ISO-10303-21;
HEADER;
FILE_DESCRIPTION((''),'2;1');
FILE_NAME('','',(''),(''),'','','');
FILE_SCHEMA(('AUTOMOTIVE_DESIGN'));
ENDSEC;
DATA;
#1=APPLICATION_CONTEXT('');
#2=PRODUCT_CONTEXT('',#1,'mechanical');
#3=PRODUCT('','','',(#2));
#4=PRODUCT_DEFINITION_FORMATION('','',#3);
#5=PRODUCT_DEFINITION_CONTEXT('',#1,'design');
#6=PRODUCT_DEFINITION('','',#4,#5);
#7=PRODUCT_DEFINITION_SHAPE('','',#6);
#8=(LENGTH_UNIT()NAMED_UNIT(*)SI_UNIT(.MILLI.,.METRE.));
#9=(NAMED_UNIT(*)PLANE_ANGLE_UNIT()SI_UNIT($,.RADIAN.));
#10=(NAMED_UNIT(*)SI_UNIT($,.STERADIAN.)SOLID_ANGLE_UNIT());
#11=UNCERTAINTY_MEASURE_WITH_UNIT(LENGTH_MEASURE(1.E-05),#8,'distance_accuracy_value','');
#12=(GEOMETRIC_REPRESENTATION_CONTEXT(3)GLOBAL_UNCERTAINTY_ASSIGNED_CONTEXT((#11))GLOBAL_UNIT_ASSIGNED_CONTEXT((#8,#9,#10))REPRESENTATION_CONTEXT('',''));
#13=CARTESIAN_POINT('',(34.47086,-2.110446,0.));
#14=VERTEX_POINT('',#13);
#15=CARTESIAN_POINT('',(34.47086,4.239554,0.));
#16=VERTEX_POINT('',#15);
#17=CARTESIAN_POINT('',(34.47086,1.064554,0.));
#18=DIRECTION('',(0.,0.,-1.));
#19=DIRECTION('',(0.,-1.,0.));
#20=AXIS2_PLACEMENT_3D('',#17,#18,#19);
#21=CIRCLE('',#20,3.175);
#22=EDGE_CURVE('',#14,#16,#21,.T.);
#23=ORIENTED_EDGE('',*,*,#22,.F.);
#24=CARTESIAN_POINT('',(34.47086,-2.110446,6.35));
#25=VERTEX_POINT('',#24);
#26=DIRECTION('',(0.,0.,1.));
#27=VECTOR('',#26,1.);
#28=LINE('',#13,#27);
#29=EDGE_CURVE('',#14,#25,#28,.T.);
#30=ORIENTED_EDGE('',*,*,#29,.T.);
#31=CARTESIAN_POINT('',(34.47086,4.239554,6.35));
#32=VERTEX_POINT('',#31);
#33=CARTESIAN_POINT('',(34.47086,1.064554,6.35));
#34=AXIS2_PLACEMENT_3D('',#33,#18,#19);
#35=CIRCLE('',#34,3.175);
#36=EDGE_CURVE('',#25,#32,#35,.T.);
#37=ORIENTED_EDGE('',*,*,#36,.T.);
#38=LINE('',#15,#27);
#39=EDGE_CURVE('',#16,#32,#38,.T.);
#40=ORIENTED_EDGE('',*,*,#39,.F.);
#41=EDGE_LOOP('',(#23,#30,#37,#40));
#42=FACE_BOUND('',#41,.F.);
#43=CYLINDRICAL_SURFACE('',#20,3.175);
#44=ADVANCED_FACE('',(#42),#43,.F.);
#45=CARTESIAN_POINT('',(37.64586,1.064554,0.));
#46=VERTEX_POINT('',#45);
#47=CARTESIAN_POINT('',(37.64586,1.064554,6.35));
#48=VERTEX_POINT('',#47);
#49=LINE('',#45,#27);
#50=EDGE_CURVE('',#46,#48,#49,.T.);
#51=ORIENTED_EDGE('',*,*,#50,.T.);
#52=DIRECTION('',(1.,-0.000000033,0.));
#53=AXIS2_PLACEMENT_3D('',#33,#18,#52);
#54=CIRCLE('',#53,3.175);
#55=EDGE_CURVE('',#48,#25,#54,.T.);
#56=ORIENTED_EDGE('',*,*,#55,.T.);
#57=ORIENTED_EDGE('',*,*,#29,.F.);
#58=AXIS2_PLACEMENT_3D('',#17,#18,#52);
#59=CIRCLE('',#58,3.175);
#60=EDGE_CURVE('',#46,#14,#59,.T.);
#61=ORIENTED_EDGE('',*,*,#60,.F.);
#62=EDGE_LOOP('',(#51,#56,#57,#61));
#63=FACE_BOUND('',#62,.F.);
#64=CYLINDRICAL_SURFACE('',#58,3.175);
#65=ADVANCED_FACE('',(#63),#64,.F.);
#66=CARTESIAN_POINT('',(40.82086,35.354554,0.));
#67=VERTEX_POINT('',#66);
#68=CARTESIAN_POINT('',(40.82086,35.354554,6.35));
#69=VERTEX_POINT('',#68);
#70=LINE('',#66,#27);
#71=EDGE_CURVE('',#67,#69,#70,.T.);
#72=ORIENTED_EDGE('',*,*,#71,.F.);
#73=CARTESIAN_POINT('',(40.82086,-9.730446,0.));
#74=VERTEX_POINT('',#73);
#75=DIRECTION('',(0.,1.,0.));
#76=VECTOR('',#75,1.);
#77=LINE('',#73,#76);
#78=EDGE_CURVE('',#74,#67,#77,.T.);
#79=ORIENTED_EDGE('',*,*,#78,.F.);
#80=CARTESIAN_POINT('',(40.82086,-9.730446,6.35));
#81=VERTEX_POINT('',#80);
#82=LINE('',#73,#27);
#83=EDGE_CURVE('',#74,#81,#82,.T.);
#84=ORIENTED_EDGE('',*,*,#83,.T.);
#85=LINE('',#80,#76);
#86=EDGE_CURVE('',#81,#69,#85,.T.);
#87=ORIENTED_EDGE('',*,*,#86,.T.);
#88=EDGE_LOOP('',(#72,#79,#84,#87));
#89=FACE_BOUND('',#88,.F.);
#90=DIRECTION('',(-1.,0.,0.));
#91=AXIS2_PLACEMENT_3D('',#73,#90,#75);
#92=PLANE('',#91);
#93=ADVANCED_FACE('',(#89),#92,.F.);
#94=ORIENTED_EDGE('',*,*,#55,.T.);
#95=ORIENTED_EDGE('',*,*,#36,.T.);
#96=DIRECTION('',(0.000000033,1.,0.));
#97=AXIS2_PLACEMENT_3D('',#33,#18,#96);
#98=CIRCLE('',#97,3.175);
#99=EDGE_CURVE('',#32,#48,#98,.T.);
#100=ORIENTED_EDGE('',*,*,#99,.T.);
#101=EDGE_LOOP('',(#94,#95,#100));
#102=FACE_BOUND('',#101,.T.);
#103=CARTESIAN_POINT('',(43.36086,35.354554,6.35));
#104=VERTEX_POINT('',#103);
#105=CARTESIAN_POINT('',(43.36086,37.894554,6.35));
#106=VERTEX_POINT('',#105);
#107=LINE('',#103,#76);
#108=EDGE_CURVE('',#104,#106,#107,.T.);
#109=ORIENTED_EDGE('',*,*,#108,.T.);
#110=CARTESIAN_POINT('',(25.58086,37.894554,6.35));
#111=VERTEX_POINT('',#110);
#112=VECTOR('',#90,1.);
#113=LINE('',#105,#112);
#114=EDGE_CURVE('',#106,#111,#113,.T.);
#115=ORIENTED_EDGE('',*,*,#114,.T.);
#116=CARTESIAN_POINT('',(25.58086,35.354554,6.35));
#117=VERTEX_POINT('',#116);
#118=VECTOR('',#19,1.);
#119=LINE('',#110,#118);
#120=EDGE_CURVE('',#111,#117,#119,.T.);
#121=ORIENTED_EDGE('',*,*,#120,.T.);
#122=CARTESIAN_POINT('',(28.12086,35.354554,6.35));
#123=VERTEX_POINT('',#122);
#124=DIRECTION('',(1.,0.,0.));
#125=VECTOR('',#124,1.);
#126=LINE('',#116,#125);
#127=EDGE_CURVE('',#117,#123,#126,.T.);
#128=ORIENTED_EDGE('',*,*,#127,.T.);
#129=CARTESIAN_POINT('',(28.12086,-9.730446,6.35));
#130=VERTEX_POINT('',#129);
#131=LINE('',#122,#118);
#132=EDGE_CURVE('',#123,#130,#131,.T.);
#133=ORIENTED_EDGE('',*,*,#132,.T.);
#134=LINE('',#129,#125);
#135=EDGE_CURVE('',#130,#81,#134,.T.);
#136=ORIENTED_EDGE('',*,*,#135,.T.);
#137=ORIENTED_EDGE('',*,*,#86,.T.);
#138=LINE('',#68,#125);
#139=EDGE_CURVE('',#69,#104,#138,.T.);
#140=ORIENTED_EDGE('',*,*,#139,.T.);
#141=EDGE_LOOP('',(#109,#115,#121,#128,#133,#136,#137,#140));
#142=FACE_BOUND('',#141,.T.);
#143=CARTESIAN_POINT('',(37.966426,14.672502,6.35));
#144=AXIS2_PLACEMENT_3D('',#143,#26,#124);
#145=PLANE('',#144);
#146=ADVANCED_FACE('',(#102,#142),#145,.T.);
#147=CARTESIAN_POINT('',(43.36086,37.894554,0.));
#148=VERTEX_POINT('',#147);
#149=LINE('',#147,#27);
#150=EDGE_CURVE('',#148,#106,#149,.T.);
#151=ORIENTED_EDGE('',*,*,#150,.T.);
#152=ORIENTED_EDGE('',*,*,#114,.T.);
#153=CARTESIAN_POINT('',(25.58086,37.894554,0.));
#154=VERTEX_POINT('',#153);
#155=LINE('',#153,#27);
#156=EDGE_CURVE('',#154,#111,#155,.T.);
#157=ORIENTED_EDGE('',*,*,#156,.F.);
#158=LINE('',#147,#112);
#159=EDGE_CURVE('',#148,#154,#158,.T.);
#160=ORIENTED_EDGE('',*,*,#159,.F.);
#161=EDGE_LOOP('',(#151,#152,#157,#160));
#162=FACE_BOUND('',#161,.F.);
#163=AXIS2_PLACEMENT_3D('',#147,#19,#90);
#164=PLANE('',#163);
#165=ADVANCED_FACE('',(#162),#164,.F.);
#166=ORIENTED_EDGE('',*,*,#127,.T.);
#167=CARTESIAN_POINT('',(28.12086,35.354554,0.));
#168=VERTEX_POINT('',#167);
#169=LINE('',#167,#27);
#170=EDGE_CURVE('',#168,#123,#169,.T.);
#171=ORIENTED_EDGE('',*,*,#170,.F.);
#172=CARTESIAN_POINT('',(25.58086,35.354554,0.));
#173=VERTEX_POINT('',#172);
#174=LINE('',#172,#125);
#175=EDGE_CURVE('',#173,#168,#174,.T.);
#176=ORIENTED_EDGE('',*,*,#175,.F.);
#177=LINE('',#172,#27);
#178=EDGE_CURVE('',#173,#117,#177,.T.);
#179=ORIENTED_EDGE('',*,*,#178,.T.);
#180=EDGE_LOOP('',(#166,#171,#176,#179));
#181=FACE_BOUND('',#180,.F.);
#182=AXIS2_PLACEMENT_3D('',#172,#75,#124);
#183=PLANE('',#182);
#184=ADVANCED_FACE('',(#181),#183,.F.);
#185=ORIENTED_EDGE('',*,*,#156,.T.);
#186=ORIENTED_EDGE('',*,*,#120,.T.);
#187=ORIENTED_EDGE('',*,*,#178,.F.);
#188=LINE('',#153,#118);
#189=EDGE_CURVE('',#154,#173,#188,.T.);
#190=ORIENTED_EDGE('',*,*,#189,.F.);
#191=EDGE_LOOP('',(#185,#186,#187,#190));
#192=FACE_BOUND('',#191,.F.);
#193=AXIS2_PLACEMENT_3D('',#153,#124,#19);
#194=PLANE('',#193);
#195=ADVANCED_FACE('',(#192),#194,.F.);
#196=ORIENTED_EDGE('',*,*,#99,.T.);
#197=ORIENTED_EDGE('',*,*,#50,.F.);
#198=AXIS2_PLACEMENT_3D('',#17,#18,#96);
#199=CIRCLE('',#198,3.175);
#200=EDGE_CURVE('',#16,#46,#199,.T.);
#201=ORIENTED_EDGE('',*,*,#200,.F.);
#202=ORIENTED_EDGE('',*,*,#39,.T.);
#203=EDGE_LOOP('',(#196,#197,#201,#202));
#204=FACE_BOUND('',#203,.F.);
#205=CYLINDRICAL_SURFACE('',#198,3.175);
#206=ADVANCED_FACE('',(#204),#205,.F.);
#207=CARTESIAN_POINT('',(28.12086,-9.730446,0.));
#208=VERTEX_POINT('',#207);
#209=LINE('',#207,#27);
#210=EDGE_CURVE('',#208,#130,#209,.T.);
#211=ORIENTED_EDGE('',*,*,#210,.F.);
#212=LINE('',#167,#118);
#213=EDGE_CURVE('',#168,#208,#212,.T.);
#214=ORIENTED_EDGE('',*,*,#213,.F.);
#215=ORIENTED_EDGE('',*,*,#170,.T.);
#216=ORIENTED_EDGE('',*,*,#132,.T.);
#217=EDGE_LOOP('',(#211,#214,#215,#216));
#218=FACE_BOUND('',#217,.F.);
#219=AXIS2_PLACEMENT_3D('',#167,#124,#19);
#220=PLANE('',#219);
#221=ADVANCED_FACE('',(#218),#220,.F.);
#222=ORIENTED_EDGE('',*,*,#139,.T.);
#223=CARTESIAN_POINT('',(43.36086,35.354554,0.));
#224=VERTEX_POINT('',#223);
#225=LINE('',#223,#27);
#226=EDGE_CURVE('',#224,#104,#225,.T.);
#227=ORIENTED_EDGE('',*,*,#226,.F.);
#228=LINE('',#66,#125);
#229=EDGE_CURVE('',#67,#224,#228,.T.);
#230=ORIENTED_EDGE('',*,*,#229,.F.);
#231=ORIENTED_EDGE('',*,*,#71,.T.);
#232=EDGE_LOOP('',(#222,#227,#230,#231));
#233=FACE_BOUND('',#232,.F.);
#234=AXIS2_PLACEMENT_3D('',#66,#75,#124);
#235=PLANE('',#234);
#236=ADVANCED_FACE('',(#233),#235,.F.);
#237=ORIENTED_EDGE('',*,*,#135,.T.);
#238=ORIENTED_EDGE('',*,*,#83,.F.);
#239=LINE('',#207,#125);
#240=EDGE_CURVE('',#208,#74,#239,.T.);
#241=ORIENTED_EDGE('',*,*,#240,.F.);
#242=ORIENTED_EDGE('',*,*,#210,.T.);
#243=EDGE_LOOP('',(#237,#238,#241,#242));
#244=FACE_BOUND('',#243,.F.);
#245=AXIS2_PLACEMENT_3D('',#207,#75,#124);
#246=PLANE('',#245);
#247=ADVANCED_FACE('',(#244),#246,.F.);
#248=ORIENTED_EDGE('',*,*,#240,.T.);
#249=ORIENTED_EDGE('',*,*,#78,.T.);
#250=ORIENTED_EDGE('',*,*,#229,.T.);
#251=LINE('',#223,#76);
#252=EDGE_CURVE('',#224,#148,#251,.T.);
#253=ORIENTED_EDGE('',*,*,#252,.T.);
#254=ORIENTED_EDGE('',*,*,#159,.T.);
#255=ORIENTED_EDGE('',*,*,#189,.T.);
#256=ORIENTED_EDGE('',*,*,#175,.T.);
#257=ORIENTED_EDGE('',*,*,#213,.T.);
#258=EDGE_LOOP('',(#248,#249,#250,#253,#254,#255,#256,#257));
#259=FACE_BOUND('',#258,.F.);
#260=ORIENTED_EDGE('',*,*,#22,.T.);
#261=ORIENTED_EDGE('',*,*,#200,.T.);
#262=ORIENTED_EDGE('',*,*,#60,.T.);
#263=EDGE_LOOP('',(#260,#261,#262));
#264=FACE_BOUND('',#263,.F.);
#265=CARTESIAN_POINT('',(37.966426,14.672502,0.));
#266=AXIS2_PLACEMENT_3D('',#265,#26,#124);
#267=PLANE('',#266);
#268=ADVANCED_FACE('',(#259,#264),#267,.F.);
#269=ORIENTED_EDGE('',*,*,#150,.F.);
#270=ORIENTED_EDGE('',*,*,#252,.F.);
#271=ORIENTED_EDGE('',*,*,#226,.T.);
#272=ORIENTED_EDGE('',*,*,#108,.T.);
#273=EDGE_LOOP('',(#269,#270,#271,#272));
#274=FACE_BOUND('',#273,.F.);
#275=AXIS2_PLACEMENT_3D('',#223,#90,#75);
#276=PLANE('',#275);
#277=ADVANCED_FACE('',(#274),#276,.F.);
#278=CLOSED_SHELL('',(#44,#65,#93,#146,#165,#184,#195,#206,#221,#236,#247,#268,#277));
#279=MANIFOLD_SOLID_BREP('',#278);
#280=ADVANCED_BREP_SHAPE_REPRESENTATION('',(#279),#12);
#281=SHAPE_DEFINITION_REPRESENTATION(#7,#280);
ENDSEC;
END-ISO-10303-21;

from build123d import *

# Parameters (mm, degrees)
F1_DEPTH = 6.35


with BuildPart() as f1:
    # F0 (on Top) → F1 (new body)
    with BuildSketch(Plane.XY):
        with BuildLine():
            Line((34.47086, -2.110446), (34.47086, -9.730446))
            Line((34.47086, -9.730446), (40.82086, -9.730446))
            Line((40.82086, -9.730446), (40.82086, 35.354554))
            Line((40.82086, 35.354554), (43.36086, 35.354554))
            Line((43.36086, 35.354554), (43.36086, 37.894554))
            Line((43.36086, 37.894554), (34.47086, 37.894554))
            Line((34.47086, 37.894554), (34.47086, 35.354554))
            Line((34.47086, 35.354554), (34.47086, 4.239554))
            ThreePointArc((34.47086, 4.239554), (36.715924, 3.309618), (37.64586, 1.064554))
            ThreePointArc((37.64586, 1.064554), (36.715924, -1.18051), (34.47086, -2.110446))
        make_face()
        with BuildLine():
            Line((28.12086, -9.730446), (34.47086, -9.730446))
            Line((34.47086, -9.730446), (34.47086, -2.110446))
            ThreePointArc((34.47086, -2.110446), (31.29586, 1.064554), (34.47086, 4.239554))
            Line((34.47086, 4.239554), (34.47086, 35.354554))
            Line((34.47086, 35.354554), (34.47086, 37.894554))
            Line((34.47086, 37.894554), (25.58086, 37.894554))
            Line((25.58086, 37.894554), (25.58086, 35.354554))
            Line((25.58086, 35.354554), (28.12086, 35.354554))
            Line((28.12086, 35.354554), (28.12086, -9.730446))
        make_face()
    extrude(amount=F1_DEPTH)


solid = f1.part
